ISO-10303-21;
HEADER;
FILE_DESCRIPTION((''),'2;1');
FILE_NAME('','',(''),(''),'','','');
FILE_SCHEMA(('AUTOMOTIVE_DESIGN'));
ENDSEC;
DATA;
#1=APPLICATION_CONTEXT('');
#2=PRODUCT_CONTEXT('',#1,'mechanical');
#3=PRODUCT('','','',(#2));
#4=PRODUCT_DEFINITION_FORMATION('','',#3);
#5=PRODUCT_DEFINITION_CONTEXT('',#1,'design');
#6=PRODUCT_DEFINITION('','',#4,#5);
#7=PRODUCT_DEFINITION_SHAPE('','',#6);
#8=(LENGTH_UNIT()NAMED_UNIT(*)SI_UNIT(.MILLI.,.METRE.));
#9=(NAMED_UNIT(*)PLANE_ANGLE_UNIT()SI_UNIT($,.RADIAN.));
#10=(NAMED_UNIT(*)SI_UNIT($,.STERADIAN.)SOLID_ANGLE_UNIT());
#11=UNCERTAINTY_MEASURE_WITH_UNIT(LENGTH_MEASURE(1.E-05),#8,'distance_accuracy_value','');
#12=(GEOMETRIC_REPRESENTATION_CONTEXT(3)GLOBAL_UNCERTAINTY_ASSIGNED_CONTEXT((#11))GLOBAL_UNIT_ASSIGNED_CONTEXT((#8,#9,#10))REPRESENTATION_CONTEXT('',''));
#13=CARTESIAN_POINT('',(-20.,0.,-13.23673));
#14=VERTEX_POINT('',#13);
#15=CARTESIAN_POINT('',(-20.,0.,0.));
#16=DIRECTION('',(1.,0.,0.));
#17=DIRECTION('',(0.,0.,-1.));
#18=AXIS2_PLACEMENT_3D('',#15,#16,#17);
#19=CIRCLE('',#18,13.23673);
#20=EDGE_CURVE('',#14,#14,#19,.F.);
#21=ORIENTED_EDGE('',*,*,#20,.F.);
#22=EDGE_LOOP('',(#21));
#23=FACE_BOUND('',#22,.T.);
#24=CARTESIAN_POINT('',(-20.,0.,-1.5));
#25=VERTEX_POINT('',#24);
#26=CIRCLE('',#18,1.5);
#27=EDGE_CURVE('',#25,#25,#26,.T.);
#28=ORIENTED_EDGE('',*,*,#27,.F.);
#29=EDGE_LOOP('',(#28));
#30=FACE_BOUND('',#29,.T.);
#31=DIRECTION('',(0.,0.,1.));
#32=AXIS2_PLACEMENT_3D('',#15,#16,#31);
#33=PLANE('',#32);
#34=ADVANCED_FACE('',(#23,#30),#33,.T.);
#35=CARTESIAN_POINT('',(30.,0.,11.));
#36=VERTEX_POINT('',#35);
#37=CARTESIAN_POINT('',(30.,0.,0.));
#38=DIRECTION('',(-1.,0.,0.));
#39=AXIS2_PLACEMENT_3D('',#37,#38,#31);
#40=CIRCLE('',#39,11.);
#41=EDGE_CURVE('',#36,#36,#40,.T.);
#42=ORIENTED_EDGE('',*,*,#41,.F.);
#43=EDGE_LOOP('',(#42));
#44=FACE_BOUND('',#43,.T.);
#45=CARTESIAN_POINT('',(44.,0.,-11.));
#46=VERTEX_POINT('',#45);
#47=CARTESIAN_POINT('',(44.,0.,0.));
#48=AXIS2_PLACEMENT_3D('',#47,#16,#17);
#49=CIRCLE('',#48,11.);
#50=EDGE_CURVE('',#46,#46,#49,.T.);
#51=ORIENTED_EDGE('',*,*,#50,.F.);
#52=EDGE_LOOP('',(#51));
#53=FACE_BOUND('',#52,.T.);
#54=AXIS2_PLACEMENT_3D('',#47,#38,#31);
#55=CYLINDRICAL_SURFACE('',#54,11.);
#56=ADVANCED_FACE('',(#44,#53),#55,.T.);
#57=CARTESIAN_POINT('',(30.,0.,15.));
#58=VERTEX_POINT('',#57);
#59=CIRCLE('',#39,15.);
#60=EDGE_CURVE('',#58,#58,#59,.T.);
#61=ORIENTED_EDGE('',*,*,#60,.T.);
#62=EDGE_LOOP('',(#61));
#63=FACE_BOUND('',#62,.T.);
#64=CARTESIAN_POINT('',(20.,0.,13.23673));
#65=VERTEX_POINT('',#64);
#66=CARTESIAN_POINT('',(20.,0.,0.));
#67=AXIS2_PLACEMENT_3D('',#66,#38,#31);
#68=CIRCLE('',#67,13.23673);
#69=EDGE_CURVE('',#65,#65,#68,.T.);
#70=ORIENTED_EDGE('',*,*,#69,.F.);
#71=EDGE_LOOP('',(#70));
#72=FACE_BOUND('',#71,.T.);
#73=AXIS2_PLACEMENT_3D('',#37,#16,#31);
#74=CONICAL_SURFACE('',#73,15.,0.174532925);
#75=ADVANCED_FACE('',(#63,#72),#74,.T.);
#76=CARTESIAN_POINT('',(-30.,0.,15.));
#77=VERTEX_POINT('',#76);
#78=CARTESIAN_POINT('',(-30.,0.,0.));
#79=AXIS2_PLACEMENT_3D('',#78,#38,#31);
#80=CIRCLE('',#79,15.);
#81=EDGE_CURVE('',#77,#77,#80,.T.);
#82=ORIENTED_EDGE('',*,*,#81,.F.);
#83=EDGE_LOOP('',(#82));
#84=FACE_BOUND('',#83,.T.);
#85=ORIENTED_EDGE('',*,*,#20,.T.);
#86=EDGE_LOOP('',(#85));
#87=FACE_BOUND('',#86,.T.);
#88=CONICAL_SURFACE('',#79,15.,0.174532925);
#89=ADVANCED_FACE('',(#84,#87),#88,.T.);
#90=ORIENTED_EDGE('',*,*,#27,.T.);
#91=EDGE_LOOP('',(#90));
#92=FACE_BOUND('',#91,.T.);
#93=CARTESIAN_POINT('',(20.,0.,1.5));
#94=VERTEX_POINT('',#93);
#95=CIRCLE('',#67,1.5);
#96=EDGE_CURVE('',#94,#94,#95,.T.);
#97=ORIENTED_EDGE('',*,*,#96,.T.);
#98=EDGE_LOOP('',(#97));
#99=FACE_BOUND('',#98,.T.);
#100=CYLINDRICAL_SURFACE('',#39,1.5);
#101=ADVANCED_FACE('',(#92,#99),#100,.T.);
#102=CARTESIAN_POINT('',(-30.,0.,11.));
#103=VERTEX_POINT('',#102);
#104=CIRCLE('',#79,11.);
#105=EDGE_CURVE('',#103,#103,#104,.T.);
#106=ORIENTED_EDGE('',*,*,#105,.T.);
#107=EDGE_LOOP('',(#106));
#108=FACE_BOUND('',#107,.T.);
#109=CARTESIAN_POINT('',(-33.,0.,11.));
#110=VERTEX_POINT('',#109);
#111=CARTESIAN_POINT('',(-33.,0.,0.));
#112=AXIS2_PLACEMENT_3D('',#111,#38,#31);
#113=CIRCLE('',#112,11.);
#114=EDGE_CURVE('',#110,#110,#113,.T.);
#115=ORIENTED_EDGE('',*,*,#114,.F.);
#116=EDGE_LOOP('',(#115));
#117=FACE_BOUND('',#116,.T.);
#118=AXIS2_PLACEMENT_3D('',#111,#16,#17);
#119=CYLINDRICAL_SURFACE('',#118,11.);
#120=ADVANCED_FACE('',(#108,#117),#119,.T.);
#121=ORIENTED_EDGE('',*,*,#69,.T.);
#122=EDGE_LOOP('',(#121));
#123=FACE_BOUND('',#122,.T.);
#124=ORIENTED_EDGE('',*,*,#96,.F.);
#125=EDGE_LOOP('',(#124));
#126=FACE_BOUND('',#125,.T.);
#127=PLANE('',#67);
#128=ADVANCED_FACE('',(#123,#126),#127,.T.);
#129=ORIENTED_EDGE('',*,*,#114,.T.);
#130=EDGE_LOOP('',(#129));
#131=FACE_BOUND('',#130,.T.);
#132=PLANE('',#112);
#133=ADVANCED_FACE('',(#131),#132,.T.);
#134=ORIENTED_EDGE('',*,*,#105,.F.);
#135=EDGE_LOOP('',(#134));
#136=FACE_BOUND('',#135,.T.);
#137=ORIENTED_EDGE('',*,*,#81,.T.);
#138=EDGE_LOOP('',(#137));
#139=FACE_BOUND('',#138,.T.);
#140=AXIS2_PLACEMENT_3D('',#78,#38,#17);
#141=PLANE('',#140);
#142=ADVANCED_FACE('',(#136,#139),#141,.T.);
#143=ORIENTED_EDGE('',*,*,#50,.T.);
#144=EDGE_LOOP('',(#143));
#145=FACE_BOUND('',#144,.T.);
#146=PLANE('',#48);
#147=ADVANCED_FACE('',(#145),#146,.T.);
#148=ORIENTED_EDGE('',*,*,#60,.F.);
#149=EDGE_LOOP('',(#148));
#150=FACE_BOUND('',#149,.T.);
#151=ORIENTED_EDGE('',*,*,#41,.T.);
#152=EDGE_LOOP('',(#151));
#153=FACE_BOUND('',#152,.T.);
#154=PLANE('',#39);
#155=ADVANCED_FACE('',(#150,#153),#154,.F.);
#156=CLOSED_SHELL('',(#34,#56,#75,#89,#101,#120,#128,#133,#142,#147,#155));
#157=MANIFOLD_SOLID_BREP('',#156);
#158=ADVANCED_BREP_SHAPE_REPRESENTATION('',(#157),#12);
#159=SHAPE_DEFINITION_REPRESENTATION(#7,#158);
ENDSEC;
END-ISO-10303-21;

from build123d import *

# Parameters (mm, degrees)
SKETCH1_R           = 1.5
BOSS_EXTRUDE1_DEPTH = 30
SKETCH2_R           = 11
BOSS_EXTRUDE2_DEPTH = 14
SKETCH4_R           = 15
BOSS_EXTRUDE4_DEPTH = 10
BOSS_EXTRUDE4_TAPER = 10
BOSS_EXTRUDE5_START = 3
SKETCH6_R           = 11
BOSS_EXTRUDE5_DEPTH = 3


with BuildPart() as part:
    # Sketch1 → Boss-Extrude1 (new body)
    with BuildSketch(Plane(origin=(0, 0, 0), x_dir=(0, 0, -1), z_dir=(1, 0, 0))):
        Circle(SKETCH1_R)
    boss_extrude1 = extrude(amount=BOSS_EXTRUDE1_DEPTH)

    # Sketch2 → Boss-Extrude2 (add)
    with BuildSketch(Plane(origin=(30, 0, 0), x_dir=(0, 0, -1), z_dir=(1, 0, 0))):
        Circle(SKETCH2_R)
    extrude(amount=BOSS_EXTRUDE2_DEPTH)

    # Sketch4 → Boss-Extrude4 (add)
    with BuildSketch(Plane.ZY.offset(-30)):
        Circle(SKETCH4_R)
    boss_extrude4 = extrude(amount=BOSS_EXTRUDE4_DEPTH, taper=BOSS_EXTRUDE4_TAPER)

    # Mirror2: Boss-Extrude1, Boss-Extrude4 across plane
    add(boss_extrude1.mirror(Plane(origin=(0, 0, 0), x_dir=(0, 0, 1), z_dir=(1, 0, 0))))
    add(boss_extrude4.mirror(Plane(origin=(0, 0, 0), x_dir=(0, 0, 1), z_dir=(1, 0, 0))))

    # Sketch6 → Boss-Extrude5 (add)
    with BuildSketch(Plane.ZY.offset(30).offset(BOSS_EXTRUDE5_START)):
        Circle(SKETCH6_R)
    extrude(amount=-BOSS_EXTRUDE5_DEPTH)


solid = part.part
